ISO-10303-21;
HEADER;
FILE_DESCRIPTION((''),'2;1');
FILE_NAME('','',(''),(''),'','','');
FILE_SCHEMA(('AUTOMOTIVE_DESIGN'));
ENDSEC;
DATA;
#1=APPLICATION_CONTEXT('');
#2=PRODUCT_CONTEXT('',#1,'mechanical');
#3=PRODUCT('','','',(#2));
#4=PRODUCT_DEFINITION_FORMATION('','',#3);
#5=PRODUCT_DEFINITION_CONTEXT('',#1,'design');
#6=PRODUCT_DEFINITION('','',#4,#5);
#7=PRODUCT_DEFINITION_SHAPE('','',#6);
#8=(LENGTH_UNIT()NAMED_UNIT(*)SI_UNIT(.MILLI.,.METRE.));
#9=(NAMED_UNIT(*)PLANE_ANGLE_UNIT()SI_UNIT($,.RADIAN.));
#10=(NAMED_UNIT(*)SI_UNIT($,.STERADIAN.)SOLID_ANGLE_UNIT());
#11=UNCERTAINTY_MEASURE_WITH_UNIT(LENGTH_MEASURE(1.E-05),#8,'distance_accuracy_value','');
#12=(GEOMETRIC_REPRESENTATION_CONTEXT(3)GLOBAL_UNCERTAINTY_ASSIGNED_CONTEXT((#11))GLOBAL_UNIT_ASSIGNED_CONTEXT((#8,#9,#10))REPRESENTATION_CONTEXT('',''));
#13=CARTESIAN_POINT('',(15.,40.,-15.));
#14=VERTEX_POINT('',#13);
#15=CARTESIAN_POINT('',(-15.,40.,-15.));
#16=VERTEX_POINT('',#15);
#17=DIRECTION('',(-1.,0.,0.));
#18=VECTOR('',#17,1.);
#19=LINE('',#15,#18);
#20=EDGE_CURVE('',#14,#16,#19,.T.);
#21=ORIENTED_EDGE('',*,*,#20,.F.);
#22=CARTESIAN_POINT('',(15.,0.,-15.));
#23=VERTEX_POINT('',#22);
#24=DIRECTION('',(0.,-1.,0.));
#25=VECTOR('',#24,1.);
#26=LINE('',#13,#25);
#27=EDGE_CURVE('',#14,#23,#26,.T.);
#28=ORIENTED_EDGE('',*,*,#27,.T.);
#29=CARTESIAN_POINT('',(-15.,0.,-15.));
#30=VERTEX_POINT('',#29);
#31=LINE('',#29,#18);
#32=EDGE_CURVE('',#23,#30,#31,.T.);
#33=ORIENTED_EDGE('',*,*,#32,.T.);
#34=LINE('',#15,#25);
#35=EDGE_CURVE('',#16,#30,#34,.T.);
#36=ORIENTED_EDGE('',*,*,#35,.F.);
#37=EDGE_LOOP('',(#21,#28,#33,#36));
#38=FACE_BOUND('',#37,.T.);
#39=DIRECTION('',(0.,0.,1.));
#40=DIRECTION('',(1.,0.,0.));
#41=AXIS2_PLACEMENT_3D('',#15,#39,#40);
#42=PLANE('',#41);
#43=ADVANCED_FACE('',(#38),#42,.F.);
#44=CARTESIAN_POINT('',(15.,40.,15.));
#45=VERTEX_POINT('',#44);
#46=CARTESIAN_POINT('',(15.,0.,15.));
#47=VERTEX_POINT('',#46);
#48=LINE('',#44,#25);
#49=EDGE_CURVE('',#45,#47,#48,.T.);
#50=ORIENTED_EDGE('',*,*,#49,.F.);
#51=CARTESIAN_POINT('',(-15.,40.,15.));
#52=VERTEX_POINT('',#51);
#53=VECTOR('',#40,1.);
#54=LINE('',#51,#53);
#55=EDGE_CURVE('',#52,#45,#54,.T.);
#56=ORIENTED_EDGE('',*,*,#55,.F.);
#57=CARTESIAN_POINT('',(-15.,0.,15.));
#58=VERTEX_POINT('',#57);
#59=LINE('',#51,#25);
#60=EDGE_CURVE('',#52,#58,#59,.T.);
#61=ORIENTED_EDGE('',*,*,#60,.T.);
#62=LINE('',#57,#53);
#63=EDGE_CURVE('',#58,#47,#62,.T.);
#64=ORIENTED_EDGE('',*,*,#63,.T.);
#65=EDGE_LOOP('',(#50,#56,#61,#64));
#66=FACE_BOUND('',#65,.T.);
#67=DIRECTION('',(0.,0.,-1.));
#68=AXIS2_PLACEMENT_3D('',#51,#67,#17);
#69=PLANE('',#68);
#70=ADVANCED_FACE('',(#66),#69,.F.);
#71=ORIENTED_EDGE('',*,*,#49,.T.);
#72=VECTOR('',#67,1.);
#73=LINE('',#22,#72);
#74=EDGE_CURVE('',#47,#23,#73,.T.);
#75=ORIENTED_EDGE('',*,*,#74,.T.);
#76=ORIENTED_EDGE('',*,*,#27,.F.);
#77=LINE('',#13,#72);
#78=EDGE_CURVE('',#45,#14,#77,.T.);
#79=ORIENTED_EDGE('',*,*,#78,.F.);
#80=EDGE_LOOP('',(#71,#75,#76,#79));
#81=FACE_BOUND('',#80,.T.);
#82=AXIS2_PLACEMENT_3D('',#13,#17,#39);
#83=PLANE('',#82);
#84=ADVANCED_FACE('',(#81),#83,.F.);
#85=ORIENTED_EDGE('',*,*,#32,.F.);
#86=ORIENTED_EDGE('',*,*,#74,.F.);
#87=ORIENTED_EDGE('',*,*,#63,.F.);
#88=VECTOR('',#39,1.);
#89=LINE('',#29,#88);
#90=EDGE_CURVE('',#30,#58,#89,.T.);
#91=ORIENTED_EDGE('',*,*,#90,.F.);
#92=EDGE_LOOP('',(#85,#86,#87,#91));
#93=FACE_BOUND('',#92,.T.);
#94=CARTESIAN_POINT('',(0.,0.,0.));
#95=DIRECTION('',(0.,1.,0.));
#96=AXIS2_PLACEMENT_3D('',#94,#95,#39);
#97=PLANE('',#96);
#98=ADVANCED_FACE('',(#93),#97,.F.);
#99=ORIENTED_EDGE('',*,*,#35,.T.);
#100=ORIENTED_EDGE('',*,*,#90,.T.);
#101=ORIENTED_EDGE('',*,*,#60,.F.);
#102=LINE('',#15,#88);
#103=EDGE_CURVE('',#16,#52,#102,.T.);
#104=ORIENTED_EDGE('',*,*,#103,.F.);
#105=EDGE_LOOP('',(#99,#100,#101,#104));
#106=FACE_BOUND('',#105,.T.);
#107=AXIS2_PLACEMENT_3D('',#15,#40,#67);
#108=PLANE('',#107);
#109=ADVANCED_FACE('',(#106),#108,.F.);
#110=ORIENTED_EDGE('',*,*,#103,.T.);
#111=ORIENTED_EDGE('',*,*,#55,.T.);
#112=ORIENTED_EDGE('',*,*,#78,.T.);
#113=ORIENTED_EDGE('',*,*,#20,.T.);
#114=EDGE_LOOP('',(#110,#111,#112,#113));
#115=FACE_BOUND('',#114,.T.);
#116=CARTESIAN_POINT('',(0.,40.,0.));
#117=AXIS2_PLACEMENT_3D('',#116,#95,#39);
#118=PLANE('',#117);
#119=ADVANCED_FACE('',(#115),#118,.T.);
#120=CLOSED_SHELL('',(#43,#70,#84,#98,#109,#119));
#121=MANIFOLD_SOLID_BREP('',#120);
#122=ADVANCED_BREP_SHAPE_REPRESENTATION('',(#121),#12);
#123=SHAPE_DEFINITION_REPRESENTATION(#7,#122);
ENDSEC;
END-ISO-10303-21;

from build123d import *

# Parameters (mm, degrees)
CROQUIS1_W              = 30
CROQUIS1_H              = 30
SALIENTE_EXTRUIR1_DEPTH = 40


with BuildPart() as part:
    # Croquis1 → Saliente-Extruir1 (new body)
    with BuildSketch(Plane(origin=(0, 0, 0), x_dir=(1, 0, 0), z_dir=(0, 1, 0))):
        Rectangle(CROQUIS1_W, CROQUIS1_H)
    extrude(amount=SALIENTE_EXTRUIR1_DEPTH)


solid = part.part
